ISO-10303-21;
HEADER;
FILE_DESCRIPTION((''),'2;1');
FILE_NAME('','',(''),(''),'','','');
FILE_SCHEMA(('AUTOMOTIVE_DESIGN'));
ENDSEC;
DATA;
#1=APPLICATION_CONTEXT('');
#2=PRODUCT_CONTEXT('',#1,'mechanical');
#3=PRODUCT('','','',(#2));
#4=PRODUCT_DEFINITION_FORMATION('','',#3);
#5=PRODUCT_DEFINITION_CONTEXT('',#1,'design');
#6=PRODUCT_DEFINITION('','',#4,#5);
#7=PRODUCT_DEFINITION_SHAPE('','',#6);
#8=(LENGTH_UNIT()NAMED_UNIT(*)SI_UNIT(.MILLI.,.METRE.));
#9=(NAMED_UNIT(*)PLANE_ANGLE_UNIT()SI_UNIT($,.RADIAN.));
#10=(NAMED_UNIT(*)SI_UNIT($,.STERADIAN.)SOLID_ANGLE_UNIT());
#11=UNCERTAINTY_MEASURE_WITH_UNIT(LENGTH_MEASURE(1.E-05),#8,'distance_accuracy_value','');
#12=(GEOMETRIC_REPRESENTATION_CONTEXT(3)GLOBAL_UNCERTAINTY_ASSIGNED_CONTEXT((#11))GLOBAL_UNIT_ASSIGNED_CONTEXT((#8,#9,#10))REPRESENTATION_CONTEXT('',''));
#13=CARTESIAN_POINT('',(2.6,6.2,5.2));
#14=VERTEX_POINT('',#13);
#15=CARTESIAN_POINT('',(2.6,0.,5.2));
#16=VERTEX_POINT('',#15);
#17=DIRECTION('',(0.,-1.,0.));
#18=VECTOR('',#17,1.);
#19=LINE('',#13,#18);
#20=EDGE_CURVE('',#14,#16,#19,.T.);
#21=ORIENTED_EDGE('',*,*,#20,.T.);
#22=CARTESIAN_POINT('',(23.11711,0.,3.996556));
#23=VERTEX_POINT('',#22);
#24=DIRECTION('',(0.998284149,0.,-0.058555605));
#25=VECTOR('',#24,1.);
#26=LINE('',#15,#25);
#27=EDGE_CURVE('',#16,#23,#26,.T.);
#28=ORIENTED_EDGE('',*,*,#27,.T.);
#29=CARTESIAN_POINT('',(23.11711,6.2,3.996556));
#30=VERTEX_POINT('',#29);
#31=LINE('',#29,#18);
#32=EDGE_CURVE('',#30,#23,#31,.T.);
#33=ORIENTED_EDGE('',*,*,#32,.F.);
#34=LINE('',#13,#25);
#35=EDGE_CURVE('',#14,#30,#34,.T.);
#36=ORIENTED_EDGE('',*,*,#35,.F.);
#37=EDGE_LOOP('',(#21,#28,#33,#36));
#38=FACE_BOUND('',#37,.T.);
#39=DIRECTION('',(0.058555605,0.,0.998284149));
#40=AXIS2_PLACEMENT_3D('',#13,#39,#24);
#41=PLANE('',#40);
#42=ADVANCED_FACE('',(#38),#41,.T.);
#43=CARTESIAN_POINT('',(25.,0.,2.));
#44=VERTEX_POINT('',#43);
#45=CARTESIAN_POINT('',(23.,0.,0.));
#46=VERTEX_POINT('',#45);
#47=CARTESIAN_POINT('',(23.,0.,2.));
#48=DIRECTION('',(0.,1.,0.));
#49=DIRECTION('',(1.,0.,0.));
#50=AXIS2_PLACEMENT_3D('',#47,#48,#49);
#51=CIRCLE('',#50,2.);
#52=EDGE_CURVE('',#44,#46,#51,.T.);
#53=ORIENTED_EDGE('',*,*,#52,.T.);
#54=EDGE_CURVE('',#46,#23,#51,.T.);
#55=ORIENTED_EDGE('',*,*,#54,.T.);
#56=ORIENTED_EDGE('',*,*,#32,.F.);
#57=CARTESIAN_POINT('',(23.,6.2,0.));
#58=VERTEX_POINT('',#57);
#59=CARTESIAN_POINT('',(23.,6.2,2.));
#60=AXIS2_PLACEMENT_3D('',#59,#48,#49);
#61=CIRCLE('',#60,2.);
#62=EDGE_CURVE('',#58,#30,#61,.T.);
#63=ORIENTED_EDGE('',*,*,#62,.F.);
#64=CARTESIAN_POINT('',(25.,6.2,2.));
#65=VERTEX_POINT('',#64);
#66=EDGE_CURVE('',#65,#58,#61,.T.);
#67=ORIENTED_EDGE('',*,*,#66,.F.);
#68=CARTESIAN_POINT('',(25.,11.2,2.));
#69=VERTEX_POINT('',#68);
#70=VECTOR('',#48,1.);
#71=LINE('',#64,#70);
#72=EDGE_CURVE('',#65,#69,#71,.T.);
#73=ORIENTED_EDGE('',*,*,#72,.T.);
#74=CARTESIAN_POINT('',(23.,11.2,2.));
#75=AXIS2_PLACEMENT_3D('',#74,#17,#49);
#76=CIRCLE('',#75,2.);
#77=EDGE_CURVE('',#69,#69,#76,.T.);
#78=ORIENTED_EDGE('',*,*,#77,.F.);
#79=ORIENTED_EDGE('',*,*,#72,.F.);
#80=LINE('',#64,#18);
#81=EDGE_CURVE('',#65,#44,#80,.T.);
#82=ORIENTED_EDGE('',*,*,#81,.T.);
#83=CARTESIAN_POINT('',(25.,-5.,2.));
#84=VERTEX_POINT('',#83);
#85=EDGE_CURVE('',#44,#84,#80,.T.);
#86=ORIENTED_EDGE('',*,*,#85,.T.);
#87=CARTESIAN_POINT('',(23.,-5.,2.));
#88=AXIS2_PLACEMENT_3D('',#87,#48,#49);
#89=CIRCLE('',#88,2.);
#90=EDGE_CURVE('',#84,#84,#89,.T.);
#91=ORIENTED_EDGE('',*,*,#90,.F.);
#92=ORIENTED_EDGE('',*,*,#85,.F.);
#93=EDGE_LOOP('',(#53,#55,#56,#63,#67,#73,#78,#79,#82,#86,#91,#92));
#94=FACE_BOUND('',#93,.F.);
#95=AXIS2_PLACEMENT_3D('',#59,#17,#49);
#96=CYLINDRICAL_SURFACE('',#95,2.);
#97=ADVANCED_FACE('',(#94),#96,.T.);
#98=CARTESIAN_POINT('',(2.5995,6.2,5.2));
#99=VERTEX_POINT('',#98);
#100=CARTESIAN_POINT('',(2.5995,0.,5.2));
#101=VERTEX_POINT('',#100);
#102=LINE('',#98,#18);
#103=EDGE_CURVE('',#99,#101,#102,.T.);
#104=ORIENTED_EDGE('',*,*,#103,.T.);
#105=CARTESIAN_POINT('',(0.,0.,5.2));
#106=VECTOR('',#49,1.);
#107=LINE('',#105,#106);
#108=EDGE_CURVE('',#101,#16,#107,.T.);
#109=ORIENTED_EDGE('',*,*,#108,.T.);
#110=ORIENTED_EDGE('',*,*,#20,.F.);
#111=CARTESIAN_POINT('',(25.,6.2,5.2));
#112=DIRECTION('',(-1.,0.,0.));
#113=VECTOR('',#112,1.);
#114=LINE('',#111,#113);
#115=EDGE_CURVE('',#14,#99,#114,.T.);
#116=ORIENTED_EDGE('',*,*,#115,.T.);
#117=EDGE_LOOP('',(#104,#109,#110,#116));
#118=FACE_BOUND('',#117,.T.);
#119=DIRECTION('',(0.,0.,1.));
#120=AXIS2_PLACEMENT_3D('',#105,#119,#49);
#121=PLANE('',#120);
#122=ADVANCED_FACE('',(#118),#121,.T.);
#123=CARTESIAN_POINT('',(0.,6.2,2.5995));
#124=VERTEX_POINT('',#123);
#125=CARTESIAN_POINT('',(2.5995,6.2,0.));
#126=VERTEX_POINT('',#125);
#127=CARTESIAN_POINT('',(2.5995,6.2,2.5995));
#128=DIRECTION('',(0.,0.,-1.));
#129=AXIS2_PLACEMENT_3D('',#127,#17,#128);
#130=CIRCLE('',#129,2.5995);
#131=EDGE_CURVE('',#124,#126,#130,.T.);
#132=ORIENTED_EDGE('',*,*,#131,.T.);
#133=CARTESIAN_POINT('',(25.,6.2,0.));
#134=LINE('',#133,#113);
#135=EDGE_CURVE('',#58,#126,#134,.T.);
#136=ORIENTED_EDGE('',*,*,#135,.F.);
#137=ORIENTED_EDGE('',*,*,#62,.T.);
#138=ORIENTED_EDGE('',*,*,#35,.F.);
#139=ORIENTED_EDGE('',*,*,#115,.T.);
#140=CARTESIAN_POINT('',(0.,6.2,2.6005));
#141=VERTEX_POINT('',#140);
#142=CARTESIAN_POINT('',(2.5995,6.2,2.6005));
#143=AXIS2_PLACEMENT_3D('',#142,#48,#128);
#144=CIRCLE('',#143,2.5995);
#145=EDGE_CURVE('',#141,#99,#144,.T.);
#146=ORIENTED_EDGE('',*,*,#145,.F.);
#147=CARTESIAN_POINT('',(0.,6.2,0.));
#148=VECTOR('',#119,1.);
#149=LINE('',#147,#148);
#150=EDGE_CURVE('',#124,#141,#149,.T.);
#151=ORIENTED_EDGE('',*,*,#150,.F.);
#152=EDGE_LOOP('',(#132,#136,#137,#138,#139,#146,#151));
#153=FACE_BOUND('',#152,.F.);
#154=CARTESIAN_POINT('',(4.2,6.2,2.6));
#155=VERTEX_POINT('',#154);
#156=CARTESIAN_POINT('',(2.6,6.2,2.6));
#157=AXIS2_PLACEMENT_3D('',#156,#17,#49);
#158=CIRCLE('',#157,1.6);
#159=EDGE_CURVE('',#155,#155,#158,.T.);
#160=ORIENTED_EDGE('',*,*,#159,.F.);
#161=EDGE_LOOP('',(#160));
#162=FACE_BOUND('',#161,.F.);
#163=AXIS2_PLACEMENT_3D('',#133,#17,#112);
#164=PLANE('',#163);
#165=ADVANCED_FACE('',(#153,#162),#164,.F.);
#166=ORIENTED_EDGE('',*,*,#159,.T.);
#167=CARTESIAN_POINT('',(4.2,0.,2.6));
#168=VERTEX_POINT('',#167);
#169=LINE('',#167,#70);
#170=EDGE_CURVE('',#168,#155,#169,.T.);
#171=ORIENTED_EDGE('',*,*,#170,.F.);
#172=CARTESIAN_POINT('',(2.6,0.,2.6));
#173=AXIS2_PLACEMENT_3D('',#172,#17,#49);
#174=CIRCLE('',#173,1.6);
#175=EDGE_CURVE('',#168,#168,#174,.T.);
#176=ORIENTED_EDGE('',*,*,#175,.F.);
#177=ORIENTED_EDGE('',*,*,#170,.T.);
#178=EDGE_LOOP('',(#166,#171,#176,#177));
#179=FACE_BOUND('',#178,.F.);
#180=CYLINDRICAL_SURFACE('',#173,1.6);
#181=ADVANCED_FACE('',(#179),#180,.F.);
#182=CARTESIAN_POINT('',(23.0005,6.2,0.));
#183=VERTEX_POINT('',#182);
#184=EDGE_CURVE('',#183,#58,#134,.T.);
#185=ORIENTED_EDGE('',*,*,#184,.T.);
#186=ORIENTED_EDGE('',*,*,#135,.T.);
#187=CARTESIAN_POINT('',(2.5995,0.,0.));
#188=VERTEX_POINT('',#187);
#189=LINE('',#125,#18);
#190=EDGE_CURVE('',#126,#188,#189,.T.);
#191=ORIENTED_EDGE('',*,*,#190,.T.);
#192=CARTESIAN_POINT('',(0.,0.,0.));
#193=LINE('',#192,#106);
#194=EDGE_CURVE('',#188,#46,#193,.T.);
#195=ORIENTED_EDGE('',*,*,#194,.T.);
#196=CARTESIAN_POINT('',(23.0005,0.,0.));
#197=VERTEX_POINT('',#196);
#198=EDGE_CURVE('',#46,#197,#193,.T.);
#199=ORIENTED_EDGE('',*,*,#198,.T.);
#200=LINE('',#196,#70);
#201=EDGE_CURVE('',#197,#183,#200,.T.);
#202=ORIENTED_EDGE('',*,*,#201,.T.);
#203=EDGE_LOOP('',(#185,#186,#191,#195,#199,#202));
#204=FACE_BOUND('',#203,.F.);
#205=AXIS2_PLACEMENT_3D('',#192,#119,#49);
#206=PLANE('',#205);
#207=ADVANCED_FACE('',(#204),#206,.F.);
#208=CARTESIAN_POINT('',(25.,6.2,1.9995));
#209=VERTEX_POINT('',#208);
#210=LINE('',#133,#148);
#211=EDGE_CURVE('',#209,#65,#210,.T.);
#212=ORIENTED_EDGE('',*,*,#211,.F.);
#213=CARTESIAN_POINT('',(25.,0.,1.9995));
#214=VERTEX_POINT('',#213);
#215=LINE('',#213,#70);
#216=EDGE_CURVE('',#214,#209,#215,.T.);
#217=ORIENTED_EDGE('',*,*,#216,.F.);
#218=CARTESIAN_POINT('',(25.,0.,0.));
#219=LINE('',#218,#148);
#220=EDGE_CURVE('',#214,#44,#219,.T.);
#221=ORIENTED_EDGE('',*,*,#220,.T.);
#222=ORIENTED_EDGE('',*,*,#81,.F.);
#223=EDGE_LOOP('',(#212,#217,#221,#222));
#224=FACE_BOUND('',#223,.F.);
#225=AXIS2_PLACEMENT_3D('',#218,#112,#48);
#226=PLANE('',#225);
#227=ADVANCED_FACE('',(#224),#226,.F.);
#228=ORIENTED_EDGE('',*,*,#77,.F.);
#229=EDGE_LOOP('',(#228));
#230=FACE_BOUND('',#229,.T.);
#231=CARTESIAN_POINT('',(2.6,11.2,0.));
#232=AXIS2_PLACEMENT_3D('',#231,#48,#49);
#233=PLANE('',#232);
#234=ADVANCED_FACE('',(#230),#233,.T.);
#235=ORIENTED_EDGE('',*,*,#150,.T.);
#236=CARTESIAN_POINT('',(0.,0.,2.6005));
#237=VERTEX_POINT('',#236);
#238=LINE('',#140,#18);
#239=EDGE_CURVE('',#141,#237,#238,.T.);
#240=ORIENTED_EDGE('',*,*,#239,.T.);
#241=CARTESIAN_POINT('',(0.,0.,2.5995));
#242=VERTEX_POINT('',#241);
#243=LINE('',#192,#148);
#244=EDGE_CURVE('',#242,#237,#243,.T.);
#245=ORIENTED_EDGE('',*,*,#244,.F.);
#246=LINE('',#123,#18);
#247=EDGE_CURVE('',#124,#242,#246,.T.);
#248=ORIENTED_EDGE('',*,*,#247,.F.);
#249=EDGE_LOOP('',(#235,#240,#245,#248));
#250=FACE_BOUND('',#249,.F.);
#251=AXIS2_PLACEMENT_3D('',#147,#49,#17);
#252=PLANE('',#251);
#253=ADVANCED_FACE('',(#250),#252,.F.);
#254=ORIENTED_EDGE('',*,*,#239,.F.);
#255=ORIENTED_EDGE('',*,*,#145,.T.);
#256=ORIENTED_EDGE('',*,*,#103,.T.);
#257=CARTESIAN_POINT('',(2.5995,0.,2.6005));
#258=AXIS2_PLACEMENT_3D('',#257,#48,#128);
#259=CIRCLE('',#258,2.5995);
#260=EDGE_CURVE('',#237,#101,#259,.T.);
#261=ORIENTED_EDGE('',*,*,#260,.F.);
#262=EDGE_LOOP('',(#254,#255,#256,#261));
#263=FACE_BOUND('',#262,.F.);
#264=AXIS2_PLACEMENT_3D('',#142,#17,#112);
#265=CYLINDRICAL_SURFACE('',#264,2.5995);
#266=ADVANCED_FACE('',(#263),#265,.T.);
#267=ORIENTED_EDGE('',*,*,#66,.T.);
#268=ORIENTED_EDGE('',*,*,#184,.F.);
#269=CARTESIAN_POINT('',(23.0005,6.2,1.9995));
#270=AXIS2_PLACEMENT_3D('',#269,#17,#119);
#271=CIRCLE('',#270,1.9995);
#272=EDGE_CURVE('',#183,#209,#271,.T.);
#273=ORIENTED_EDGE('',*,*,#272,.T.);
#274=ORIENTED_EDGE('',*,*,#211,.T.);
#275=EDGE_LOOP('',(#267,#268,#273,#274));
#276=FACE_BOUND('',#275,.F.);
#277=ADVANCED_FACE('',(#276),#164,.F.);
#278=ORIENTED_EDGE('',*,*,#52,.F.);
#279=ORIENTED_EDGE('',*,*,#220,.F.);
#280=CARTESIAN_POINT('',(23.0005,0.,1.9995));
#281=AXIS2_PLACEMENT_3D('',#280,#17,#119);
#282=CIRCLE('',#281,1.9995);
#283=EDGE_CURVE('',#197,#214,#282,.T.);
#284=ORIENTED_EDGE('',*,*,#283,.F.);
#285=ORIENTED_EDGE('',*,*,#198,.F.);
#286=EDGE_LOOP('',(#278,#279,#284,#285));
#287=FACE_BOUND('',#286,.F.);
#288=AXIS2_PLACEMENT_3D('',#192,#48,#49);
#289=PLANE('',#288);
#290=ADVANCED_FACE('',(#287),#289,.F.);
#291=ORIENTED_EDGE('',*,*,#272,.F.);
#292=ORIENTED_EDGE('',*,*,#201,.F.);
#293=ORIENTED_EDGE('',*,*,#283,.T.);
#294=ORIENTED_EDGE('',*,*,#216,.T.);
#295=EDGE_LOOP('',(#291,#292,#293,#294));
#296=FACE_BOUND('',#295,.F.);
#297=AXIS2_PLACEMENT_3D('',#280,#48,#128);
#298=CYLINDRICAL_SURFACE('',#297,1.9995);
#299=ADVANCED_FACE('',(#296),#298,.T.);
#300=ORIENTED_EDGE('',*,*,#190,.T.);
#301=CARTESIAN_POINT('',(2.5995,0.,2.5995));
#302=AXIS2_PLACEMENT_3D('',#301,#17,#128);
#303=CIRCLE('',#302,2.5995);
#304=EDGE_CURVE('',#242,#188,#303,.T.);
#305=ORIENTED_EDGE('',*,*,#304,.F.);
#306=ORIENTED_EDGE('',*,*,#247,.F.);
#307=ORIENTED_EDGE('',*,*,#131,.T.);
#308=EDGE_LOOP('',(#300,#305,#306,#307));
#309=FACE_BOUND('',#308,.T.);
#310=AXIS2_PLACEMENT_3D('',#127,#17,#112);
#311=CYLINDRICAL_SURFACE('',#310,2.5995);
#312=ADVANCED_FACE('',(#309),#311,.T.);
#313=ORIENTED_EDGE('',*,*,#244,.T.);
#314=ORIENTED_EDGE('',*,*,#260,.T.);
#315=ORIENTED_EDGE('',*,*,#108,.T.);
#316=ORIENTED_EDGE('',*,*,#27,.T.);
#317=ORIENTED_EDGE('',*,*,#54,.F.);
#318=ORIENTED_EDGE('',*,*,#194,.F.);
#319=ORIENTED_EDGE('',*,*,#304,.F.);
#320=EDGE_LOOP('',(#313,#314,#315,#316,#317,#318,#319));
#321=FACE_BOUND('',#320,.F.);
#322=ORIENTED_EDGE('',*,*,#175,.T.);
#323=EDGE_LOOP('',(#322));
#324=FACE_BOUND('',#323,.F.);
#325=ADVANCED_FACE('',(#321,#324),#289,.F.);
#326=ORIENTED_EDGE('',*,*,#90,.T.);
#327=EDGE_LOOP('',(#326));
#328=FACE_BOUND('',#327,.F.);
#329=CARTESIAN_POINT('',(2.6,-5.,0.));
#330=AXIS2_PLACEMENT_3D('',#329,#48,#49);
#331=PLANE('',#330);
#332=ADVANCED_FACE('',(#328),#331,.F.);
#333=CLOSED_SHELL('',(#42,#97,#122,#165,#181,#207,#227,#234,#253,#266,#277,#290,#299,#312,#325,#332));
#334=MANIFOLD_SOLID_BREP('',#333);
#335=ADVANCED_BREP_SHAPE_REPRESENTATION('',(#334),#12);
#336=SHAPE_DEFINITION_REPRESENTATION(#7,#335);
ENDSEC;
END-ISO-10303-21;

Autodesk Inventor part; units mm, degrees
ref_plane "YZ Plane" through (0, 0, 0) normal (1, 0, 0) x (0, 1, 0)
ref_plane "XZ Plane" through (0, 0, 0) normal (0, 1, 0) x (-1, 0, 0)
ref_plane "XY Plane" through (0, 0, 0) normal (0, 0, 1) x (1, 0, 0)
sketch "Sketch1" plane through (0, 0, 0) normal (0, 0, 1) x (1, 0, 0)
  line L0 (0, 0) -> (25, 0)
  line L1 (25, 0) -> (25, 6.2)
  line L2 (25, 6.2) -> (0, 6.2)
  line L3 (0, 6.2) -> (0, 0)
  point P0 (25, 3.1)
  dimension "d0" = 6.2
  dimension "d1" = 25
extrude "Extrusion1" add sketch "Sketch1" along normal blind 5.2
sketch "Sketch2" plane through (0, 0, 0) normal (0, -1, 0) x (1, 0, 0)
  circle A0 centre (2.6, 2.6) radius 1.6
  line L0 (0, 0) -> (0, 5.2) projected
  line L1 (0, 5.2) -> (25, 5.2) projected
  dimension "d4" = 3.2
  dimension "d5" = 2.6
  dimension "d6" = 2.6
extrude "Extrusion2" cut sketch "Sketch2" against normal blind 6.5
fillet "Fillet1" radius 2.6 2 edges at (0, 3.1, 5.2) (0, 3.1, 0)
sketch "Sketch4" plane through (2.6, 6.2, 0) normal (0, 1, 0) x (1, 0, 0)
  circle A0 centre (20.4, -2) radius 2
  line L0 (22.4, 0) -> (22.4, -5.2) projected
  line L1 (22.4, 0) -> (0, 0) projected
  point P0 (-2.6, 0)
  point P1 (27.4, -4)
  dimension "d13" = 4
  dimension "d14" = 2
  dimension "d15" = 2
extrude "Extrusion4" add sketch "Sketch4" along normal blind 5 and the other way blind 11.2 contours A0
sketch "Sketch5" plane through (2.6, 6.2, 5.2) normal (0, 1, 0) x (1, 0, 0)
  arc A0 (0, 5.2) -> (0, 0) centre (0, 2.6) ccw projected
  line L0 (0, 0) -> (22.4, 1.3139)
  line L1 (22.4, 3.2) -> (22.4, 0) projected
  circle A1 centre (20.4, 3.2) radius 2 projected
  line L2 (22.4, 1.3139) -> (22.4, 0)
  line L3 (22.4, 0) -> (0, 0)
  circle A2 centre (20.4, 3.2) radius 2
  line L4 (22.4, 1.3139) -> (22.4, 3.2)
  point P0 (-2.6, 5.2)
  point P1 (20.5171, 1.2034)
extrude "Extrusion5" cut sketch "Sketch5" against normal blind 6.2 contours L0 L1 L3 | A1 L1 L0
fillet "Fillet2" radius 2 1 edges at (25, 3.1, 0)
properties part number "Latch"
